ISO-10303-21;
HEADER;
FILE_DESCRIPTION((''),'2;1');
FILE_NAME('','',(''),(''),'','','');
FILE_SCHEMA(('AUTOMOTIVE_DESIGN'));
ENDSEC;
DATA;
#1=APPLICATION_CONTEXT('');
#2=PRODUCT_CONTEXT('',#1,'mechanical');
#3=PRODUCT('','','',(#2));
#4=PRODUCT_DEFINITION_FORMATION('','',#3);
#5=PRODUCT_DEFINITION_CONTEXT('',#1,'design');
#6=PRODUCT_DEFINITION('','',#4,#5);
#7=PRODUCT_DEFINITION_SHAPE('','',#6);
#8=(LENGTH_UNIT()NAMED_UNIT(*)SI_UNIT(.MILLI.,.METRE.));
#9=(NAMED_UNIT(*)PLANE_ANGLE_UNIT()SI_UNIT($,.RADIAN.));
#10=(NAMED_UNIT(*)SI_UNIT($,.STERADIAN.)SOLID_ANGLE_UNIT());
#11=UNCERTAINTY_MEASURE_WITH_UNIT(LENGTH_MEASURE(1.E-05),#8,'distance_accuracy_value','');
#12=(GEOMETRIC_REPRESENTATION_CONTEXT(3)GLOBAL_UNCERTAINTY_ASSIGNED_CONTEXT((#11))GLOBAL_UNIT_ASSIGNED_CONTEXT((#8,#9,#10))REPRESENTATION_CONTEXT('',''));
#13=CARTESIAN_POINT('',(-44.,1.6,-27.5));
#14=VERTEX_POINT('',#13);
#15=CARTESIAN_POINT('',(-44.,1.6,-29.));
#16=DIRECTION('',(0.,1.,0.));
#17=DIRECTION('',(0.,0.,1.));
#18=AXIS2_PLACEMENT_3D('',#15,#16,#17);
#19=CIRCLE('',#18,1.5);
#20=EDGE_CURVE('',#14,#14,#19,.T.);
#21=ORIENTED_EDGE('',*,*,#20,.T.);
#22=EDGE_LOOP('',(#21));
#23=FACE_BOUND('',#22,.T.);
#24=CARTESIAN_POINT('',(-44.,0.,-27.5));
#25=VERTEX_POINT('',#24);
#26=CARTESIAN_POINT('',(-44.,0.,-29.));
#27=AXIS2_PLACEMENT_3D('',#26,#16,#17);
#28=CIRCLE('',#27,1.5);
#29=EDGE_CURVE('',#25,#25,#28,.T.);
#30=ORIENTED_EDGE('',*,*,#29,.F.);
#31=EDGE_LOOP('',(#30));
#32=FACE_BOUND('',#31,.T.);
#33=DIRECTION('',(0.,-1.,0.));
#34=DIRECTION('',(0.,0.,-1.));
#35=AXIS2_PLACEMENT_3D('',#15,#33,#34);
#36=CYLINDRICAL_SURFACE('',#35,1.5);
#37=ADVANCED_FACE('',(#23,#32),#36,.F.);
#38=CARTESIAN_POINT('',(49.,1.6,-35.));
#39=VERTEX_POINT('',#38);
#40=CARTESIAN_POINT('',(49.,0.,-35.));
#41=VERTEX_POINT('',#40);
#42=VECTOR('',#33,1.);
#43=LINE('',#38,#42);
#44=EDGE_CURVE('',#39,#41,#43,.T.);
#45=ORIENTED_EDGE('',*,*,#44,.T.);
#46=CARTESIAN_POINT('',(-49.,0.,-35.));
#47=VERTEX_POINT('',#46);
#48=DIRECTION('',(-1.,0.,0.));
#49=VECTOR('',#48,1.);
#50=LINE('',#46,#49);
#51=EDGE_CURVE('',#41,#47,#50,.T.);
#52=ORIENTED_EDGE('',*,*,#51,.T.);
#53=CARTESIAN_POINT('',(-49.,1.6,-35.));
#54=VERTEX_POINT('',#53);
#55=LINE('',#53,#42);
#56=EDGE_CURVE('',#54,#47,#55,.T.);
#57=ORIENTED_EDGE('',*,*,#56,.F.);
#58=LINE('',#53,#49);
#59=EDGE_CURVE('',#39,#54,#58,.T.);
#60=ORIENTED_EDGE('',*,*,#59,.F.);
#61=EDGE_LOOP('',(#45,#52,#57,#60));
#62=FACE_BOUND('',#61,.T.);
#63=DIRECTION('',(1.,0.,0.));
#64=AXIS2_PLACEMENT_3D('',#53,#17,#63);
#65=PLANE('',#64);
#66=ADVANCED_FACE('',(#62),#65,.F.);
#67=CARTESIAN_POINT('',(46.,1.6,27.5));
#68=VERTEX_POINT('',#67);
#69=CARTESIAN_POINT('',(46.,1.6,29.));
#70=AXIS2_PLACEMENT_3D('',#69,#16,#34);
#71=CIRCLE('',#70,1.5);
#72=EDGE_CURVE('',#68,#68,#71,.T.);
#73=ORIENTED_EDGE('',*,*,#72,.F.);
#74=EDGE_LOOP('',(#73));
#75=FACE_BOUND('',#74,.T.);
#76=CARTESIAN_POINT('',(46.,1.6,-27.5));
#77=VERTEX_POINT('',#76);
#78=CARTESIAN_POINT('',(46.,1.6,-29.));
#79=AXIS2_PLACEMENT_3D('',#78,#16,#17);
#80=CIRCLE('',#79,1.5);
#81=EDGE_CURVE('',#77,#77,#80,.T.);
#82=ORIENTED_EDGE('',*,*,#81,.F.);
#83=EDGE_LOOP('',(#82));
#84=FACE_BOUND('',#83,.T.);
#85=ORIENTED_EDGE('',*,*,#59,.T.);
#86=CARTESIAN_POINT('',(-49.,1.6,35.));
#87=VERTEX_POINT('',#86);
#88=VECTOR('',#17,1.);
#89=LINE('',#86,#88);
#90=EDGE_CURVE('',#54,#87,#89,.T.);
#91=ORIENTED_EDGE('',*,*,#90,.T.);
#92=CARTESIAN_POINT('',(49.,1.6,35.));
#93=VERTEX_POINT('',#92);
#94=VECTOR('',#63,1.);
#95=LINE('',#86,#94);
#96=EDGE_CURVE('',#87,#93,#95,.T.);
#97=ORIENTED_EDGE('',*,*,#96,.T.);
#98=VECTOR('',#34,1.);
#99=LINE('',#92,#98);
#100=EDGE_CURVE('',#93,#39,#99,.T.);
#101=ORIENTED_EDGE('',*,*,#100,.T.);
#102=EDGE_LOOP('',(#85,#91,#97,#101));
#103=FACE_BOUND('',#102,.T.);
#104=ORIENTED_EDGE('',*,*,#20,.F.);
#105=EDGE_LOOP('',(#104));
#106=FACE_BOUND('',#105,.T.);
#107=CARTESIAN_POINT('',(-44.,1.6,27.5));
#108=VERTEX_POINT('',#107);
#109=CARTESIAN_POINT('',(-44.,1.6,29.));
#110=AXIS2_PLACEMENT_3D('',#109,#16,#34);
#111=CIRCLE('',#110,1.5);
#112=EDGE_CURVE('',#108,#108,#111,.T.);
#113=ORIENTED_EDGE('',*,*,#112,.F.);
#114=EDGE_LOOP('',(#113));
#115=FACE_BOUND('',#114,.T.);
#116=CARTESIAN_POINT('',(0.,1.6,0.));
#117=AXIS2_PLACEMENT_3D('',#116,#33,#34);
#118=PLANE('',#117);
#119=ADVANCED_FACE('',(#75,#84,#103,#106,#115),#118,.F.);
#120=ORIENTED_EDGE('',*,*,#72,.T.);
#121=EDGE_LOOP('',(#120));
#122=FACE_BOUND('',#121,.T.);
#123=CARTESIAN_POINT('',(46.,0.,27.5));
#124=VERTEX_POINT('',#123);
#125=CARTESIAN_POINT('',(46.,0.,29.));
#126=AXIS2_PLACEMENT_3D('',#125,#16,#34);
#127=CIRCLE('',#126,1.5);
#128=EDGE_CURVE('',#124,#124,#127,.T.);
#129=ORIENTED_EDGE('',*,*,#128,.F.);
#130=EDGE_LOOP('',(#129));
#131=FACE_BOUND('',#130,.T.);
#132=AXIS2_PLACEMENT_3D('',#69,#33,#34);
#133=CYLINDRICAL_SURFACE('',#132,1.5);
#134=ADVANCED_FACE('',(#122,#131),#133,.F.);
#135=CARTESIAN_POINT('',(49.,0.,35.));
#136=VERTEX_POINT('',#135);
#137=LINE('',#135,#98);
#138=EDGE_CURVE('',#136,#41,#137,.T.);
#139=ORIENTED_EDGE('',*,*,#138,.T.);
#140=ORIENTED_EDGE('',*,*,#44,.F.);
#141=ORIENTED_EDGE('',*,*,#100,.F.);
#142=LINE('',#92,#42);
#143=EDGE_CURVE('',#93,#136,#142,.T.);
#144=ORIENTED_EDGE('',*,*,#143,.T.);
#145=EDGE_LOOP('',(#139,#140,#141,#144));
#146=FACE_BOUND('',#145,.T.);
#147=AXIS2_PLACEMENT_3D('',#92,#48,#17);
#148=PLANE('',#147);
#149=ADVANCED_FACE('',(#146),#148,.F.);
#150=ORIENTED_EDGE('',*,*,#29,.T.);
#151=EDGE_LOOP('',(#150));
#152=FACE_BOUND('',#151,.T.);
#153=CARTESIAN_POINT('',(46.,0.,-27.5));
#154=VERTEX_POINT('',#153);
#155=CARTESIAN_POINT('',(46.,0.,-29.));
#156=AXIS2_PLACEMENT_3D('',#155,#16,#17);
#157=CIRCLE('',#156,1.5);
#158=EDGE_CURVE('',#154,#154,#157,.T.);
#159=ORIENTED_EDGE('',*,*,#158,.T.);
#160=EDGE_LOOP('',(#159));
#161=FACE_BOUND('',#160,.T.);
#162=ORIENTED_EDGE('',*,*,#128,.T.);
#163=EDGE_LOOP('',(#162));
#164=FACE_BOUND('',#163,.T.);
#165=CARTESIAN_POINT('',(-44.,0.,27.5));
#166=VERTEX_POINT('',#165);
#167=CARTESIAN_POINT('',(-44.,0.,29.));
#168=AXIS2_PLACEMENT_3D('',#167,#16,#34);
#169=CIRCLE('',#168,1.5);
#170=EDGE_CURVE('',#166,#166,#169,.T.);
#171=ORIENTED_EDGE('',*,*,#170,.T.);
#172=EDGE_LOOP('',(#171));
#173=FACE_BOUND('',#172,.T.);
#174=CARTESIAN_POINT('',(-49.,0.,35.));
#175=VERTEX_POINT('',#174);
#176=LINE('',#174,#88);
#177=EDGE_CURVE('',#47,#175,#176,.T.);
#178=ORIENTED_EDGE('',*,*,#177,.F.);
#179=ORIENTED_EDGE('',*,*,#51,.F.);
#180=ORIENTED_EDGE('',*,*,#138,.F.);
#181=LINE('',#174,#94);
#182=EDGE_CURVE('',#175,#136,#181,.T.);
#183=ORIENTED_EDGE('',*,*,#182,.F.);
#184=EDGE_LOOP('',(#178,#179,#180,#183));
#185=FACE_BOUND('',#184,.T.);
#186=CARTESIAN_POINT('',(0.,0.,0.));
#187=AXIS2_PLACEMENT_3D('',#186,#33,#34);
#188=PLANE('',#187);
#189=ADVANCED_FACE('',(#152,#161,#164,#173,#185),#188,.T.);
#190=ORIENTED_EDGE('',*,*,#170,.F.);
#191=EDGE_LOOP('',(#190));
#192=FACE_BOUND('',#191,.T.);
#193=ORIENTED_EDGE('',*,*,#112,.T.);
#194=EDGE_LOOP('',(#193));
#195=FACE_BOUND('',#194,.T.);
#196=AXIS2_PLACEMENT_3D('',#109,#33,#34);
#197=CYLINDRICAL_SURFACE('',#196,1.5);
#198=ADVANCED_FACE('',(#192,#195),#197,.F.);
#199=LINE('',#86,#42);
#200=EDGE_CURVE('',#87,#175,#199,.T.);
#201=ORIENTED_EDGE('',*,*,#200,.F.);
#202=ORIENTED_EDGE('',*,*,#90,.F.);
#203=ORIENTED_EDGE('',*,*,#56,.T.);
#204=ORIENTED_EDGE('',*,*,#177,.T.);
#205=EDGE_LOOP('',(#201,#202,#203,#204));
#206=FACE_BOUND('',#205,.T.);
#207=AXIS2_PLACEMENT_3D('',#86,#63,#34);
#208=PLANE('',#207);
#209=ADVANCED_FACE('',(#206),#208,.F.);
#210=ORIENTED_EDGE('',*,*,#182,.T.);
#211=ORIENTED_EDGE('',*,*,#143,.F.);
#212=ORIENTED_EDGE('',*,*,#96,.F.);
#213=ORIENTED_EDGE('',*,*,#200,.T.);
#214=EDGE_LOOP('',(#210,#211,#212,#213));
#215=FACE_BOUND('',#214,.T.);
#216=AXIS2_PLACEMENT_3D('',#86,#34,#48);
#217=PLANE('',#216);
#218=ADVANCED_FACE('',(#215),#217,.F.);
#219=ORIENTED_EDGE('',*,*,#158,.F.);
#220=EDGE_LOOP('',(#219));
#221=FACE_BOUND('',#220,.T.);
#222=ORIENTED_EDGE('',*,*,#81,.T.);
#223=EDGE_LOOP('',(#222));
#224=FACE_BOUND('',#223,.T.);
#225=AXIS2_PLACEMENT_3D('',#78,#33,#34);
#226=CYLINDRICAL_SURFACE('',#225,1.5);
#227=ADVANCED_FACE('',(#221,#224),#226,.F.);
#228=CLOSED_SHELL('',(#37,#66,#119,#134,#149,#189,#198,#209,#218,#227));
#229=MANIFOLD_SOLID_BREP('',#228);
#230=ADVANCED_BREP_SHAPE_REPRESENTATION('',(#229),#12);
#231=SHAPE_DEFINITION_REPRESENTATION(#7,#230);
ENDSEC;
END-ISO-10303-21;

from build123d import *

# Parameters (mm, degrees)
SKETCH_1_W      = 98
SKETCH_1_H      = 70
SKETCH_1_R      = 1.5
EXTRUDE_1_DEPTH = 1.6


with BuildPart() as part:
    # Эскиз1 → Бобышка-Вытянуть1 (new body)
    with BuildSketch(Plane(origin=(0, 0, 0), x_dir=(1, 0, 0), z_dir=(0, 1, 0))):
        Rectangle(SKETCH_1_W, SKETCH_1_H)
        with Locations(Location((-44, 29, 0), (0, 0, 270))):
            Circle(SKETCH_1_R, mode=Mode.SUBTRACT)
        with Locations(Location((-44, -29, 0), (0, 0, 90))):
            Circle(SKETCH_1_R, mode=Mode.SUBTRACT)
        with Locations(Location((46, 29, 0), (0, 0, 270))):
            Circle(SKETCH_1_R, mode=Mode.SUBTRACT)
        with Locations(Location((46, -29, 0), (0, 0, 90))):
            Circle(SKETCH_1_R, mode=Mode.SUBTRACT)
    extrude(amount=EXTRUDE_1_DEPTH)


solid = part.part
